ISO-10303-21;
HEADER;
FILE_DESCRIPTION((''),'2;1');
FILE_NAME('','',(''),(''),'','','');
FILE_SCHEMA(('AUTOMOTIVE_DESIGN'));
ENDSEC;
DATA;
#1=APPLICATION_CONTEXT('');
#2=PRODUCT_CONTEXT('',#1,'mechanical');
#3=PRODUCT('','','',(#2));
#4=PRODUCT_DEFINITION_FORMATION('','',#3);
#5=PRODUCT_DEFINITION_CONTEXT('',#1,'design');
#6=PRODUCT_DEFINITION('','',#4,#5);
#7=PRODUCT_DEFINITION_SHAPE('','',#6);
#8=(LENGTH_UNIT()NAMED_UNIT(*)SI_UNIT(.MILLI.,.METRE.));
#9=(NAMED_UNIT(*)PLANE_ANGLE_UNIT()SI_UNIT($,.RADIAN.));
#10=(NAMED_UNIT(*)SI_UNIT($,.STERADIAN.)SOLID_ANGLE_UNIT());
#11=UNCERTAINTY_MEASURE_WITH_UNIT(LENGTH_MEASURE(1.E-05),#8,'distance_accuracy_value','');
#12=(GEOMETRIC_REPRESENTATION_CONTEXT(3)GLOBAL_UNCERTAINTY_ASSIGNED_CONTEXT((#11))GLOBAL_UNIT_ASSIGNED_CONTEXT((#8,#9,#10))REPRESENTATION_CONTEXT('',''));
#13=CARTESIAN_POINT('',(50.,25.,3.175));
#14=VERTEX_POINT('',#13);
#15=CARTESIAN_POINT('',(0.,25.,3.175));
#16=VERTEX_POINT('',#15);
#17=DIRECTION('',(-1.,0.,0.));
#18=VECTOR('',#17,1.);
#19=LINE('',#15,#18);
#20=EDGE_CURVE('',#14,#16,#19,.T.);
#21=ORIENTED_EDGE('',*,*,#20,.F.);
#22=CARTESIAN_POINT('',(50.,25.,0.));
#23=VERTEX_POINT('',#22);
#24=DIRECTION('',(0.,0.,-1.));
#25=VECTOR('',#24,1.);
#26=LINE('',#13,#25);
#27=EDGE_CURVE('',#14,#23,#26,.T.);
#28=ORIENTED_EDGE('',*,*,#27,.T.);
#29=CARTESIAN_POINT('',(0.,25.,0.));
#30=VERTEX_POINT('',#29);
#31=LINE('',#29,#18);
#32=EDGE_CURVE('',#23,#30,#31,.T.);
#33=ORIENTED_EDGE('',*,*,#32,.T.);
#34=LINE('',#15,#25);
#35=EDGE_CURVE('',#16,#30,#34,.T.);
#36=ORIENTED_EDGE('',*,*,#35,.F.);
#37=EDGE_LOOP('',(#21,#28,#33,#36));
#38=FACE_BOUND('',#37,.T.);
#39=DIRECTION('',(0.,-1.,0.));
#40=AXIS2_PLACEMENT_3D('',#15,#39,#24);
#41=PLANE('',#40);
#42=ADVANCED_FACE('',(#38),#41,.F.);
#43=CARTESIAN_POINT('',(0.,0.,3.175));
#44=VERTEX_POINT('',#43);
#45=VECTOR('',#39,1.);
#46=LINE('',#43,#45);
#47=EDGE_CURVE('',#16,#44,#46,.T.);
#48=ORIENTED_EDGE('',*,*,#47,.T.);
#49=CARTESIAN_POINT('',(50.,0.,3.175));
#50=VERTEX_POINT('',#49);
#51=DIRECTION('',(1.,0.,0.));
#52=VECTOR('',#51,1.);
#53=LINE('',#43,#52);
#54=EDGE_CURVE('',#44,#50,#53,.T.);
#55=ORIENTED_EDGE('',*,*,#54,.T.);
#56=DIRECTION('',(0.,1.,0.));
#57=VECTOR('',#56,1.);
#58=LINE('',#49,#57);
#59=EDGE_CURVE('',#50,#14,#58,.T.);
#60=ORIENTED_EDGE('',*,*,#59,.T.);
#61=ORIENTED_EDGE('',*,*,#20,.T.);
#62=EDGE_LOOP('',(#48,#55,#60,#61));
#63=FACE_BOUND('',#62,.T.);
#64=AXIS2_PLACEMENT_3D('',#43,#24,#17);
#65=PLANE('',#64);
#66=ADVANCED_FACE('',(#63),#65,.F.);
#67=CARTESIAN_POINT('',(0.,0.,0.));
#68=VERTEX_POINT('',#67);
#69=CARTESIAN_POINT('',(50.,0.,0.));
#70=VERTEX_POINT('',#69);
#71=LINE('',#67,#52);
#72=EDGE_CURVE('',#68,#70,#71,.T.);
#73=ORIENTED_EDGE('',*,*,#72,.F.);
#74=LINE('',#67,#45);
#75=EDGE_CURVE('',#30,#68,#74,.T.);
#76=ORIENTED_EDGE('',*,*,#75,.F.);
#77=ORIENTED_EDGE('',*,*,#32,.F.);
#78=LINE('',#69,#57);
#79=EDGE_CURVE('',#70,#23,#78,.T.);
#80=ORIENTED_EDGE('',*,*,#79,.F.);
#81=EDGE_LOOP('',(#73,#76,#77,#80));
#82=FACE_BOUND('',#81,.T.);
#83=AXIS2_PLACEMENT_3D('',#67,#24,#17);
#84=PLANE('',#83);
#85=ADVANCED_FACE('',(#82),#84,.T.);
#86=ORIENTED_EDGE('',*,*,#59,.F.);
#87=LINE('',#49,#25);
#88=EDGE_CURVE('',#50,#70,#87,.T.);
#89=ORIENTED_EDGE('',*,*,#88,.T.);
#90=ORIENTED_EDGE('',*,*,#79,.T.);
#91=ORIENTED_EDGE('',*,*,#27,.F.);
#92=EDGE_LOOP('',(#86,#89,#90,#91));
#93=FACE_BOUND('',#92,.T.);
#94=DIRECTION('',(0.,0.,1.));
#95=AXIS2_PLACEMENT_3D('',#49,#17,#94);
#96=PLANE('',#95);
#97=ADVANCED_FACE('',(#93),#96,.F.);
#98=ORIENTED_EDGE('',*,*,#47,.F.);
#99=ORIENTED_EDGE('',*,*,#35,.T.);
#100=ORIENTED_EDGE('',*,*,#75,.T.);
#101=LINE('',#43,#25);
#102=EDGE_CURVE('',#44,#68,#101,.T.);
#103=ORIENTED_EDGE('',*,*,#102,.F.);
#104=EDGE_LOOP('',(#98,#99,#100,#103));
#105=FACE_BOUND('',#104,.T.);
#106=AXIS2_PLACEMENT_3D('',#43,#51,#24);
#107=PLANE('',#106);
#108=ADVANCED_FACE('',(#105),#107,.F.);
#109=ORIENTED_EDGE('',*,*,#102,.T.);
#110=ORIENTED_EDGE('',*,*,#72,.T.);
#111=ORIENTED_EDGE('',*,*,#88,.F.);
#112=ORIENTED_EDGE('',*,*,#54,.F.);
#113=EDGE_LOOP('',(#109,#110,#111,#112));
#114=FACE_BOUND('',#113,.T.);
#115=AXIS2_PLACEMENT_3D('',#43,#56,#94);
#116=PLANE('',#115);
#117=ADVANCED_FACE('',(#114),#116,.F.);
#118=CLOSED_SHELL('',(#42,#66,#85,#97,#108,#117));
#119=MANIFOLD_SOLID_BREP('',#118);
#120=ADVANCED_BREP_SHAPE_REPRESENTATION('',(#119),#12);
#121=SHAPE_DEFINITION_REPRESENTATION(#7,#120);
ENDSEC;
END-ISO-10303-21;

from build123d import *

# Parameters (mm, degrees)
SKETCH1_W  = 50
SKETCH1_H  = 25
BASE_DEPTH = 3.175


with BuildPart() as part:
    # Sketch1 → base (new body)
    with BuildSketch(Plane.XY):
        with Locations((25, 12.5)):
            Rectangle(SKETCH1_W, SKETCH1_H)
    extrude(amount=BASE_DEPTH)


solid = part.part
